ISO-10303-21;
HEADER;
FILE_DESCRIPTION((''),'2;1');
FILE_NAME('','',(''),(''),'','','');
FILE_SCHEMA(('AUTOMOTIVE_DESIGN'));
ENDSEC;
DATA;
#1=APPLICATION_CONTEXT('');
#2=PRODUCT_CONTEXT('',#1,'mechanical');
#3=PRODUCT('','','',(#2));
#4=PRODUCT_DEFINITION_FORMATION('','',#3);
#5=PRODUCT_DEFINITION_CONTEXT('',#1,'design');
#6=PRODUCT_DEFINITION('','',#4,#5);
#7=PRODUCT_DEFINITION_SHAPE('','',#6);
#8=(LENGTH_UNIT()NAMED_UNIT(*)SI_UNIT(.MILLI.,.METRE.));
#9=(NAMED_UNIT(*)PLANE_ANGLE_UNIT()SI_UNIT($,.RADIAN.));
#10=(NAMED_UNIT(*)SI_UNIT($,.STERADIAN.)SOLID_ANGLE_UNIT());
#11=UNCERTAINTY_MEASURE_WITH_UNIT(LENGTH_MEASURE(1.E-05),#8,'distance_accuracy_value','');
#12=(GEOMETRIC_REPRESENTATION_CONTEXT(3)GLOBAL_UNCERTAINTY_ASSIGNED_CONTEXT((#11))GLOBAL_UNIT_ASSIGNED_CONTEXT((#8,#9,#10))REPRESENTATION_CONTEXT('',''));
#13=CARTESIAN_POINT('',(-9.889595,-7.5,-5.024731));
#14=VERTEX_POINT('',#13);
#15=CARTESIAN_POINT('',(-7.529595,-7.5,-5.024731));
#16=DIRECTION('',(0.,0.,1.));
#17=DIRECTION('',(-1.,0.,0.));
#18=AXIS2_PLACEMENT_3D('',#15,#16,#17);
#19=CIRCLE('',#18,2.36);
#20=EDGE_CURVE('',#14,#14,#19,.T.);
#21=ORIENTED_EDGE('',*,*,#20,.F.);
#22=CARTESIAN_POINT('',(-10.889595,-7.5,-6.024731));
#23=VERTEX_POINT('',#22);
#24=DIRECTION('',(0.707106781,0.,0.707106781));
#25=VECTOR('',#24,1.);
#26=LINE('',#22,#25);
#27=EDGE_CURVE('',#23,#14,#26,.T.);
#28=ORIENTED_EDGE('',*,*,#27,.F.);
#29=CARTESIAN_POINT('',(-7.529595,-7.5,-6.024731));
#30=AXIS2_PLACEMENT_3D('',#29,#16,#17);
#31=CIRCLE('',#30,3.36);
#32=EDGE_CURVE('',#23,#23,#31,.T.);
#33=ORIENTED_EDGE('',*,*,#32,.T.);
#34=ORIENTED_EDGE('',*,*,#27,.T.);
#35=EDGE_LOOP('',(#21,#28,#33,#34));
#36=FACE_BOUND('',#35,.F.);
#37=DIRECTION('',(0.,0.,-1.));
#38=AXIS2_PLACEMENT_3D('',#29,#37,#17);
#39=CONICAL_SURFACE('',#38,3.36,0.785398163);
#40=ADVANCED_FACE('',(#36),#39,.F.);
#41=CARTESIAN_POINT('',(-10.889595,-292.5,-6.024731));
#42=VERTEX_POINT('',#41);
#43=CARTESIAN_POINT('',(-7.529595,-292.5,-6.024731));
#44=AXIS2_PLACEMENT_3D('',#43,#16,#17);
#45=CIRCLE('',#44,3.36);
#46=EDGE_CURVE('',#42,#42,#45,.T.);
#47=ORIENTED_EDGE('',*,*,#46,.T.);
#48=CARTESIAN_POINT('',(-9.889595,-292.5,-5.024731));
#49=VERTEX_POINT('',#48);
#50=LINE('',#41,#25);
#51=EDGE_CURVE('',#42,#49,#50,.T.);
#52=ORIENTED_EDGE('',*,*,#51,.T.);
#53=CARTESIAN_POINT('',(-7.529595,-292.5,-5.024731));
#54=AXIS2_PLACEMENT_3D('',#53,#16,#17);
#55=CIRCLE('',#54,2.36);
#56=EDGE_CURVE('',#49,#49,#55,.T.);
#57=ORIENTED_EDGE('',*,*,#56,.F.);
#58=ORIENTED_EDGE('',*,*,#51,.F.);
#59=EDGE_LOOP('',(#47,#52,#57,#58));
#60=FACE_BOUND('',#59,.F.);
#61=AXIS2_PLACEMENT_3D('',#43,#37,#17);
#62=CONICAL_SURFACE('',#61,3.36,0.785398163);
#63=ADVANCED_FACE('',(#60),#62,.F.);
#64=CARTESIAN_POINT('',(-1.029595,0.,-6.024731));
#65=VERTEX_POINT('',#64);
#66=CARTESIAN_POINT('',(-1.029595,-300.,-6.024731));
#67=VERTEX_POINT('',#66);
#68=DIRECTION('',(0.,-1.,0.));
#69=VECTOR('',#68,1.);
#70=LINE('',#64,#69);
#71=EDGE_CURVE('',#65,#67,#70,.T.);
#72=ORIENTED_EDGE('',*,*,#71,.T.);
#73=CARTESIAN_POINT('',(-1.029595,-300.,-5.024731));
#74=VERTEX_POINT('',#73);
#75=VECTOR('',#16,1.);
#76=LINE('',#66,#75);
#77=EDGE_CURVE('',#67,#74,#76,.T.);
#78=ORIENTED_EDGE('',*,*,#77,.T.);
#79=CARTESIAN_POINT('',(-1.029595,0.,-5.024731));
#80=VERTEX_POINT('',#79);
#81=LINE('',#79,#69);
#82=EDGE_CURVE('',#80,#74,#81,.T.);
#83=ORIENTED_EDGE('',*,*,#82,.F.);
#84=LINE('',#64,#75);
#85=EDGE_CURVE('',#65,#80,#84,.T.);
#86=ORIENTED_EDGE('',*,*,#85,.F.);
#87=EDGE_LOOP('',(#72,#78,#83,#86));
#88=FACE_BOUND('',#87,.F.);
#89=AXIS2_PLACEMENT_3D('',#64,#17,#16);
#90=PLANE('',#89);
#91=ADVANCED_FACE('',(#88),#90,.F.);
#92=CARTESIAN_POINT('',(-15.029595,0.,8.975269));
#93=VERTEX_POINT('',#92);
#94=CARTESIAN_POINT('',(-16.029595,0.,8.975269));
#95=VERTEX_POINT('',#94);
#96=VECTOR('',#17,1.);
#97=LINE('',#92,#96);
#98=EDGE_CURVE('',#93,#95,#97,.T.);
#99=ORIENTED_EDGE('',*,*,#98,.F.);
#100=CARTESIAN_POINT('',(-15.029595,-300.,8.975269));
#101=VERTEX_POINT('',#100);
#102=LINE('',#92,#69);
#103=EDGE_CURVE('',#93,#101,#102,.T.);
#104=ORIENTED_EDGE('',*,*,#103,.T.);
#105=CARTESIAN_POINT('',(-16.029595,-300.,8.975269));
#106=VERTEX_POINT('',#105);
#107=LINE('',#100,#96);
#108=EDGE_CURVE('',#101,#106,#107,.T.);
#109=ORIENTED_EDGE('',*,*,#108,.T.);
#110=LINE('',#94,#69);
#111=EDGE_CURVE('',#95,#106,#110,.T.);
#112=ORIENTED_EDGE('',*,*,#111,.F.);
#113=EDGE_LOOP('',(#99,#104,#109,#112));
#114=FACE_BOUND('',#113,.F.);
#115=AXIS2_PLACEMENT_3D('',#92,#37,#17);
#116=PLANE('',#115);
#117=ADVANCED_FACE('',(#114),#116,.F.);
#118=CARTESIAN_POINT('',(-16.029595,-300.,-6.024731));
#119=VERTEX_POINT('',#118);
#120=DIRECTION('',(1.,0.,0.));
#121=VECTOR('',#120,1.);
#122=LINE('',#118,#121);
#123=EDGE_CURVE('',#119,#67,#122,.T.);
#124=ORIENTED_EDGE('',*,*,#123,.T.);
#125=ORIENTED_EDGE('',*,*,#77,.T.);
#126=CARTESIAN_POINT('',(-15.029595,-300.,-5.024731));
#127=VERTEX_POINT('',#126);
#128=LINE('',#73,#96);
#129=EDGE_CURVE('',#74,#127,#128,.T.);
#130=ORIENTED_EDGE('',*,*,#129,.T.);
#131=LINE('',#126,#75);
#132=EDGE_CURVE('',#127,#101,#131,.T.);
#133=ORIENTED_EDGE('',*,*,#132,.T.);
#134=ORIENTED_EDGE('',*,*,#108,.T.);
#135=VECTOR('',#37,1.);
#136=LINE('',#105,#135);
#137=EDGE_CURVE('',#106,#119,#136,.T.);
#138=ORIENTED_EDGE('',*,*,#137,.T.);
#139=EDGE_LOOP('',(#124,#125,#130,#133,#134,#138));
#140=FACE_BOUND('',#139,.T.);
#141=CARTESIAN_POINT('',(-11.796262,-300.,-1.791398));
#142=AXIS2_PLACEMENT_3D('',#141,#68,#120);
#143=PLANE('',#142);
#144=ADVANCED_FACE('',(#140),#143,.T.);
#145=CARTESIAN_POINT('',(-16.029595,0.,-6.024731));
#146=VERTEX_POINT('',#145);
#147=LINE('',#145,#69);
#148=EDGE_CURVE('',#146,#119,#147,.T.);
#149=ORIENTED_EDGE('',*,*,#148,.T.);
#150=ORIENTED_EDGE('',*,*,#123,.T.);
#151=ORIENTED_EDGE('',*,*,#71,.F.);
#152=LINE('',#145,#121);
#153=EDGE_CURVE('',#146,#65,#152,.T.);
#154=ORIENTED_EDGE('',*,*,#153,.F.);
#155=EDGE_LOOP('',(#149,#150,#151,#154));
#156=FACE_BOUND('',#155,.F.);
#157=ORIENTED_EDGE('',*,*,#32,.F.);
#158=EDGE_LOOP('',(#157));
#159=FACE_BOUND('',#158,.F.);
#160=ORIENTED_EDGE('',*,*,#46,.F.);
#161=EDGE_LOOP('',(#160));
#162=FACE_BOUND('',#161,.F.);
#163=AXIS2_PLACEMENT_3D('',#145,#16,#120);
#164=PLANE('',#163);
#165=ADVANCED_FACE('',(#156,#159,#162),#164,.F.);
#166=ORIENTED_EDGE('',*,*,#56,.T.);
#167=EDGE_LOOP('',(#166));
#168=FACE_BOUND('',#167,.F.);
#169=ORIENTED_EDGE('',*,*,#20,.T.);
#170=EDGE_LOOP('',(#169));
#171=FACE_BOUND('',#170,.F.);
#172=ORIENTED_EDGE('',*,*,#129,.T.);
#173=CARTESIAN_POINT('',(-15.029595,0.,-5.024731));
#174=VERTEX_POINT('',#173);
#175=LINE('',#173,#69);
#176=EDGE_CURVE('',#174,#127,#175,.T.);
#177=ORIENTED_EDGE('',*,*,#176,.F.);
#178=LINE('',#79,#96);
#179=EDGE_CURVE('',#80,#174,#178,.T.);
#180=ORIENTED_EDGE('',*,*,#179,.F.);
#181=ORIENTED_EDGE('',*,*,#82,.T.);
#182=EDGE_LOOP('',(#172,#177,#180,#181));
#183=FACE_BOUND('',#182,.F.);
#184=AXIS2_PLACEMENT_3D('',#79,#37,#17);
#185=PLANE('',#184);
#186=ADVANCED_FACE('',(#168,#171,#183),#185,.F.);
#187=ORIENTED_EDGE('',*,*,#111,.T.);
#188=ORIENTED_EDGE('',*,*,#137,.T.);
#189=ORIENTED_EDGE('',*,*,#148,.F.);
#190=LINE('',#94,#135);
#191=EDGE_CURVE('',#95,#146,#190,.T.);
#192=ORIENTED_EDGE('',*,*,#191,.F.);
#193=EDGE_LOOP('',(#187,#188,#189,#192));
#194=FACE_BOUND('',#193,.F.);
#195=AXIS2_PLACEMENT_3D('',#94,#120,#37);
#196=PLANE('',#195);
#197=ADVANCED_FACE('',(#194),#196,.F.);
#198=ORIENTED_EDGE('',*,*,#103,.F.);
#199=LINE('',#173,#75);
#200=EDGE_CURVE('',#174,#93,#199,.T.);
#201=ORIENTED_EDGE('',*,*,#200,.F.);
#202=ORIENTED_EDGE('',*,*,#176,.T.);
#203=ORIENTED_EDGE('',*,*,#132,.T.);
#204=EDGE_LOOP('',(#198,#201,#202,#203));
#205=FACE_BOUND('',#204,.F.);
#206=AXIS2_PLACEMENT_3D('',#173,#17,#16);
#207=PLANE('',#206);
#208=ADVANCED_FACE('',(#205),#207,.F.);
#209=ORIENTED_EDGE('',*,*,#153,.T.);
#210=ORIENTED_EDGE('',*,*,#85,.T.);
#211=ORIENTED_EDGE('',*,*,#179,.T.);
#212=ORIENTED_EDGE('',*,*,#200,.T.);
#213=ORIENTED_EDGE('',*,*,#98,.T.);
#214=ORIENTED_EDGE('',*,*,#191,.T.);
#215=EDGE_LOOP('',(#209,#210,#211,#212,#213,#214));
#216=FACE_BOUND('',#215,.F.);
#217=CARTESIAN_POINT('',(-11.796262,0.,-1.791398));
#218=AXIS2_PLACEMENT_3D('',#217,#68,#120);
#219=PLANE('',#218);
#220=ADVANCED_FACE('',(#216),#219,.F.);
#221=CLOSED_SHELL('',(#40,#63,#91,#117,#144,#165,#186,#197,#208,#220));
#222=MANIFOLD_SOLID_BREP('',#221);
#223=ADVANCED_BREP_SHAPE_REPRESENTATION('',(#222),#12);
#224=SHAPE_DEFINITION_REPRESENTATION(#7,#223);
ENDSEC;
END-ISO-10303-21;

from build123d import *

# Parameters (mm, degrees)
F1_DEPTH       = 300
F3_D           = 2.5
F3_CSINK_D     = 6.72
F3_CSINK_ANGLE = 90


with BuildPart() as f1:
    # F0 (on Front) → F1 (new body)
    with BuildSketch(Plane.XZ):
        Polygon((-15.0295953322, 8.975268739), (-16.0295953322, 8.975268739), (-16.0295953322, -6.024731261), (-1.0295953322, -6.024731261), (-1.0295953322, -5.024731261), (-15.0295953322, -5.024731261), align=None)
    extrude(amount=F1_DEPTH)

    # F3 (through all)
    with Locations(Plane(origin=(0, 0, -6.024731261), x_dir=(1, 0, 0), z_dir=(0, 0, -1))):
        with Locations((-7.5295953322, 292.5), (-7.5295953322, 7.5)):
            CounterSinkHole(F3_D / 2, F3_CSINK_D / 2, counter_sink_angle=F3_CSINK_ANGLE)


solid = f1.part
